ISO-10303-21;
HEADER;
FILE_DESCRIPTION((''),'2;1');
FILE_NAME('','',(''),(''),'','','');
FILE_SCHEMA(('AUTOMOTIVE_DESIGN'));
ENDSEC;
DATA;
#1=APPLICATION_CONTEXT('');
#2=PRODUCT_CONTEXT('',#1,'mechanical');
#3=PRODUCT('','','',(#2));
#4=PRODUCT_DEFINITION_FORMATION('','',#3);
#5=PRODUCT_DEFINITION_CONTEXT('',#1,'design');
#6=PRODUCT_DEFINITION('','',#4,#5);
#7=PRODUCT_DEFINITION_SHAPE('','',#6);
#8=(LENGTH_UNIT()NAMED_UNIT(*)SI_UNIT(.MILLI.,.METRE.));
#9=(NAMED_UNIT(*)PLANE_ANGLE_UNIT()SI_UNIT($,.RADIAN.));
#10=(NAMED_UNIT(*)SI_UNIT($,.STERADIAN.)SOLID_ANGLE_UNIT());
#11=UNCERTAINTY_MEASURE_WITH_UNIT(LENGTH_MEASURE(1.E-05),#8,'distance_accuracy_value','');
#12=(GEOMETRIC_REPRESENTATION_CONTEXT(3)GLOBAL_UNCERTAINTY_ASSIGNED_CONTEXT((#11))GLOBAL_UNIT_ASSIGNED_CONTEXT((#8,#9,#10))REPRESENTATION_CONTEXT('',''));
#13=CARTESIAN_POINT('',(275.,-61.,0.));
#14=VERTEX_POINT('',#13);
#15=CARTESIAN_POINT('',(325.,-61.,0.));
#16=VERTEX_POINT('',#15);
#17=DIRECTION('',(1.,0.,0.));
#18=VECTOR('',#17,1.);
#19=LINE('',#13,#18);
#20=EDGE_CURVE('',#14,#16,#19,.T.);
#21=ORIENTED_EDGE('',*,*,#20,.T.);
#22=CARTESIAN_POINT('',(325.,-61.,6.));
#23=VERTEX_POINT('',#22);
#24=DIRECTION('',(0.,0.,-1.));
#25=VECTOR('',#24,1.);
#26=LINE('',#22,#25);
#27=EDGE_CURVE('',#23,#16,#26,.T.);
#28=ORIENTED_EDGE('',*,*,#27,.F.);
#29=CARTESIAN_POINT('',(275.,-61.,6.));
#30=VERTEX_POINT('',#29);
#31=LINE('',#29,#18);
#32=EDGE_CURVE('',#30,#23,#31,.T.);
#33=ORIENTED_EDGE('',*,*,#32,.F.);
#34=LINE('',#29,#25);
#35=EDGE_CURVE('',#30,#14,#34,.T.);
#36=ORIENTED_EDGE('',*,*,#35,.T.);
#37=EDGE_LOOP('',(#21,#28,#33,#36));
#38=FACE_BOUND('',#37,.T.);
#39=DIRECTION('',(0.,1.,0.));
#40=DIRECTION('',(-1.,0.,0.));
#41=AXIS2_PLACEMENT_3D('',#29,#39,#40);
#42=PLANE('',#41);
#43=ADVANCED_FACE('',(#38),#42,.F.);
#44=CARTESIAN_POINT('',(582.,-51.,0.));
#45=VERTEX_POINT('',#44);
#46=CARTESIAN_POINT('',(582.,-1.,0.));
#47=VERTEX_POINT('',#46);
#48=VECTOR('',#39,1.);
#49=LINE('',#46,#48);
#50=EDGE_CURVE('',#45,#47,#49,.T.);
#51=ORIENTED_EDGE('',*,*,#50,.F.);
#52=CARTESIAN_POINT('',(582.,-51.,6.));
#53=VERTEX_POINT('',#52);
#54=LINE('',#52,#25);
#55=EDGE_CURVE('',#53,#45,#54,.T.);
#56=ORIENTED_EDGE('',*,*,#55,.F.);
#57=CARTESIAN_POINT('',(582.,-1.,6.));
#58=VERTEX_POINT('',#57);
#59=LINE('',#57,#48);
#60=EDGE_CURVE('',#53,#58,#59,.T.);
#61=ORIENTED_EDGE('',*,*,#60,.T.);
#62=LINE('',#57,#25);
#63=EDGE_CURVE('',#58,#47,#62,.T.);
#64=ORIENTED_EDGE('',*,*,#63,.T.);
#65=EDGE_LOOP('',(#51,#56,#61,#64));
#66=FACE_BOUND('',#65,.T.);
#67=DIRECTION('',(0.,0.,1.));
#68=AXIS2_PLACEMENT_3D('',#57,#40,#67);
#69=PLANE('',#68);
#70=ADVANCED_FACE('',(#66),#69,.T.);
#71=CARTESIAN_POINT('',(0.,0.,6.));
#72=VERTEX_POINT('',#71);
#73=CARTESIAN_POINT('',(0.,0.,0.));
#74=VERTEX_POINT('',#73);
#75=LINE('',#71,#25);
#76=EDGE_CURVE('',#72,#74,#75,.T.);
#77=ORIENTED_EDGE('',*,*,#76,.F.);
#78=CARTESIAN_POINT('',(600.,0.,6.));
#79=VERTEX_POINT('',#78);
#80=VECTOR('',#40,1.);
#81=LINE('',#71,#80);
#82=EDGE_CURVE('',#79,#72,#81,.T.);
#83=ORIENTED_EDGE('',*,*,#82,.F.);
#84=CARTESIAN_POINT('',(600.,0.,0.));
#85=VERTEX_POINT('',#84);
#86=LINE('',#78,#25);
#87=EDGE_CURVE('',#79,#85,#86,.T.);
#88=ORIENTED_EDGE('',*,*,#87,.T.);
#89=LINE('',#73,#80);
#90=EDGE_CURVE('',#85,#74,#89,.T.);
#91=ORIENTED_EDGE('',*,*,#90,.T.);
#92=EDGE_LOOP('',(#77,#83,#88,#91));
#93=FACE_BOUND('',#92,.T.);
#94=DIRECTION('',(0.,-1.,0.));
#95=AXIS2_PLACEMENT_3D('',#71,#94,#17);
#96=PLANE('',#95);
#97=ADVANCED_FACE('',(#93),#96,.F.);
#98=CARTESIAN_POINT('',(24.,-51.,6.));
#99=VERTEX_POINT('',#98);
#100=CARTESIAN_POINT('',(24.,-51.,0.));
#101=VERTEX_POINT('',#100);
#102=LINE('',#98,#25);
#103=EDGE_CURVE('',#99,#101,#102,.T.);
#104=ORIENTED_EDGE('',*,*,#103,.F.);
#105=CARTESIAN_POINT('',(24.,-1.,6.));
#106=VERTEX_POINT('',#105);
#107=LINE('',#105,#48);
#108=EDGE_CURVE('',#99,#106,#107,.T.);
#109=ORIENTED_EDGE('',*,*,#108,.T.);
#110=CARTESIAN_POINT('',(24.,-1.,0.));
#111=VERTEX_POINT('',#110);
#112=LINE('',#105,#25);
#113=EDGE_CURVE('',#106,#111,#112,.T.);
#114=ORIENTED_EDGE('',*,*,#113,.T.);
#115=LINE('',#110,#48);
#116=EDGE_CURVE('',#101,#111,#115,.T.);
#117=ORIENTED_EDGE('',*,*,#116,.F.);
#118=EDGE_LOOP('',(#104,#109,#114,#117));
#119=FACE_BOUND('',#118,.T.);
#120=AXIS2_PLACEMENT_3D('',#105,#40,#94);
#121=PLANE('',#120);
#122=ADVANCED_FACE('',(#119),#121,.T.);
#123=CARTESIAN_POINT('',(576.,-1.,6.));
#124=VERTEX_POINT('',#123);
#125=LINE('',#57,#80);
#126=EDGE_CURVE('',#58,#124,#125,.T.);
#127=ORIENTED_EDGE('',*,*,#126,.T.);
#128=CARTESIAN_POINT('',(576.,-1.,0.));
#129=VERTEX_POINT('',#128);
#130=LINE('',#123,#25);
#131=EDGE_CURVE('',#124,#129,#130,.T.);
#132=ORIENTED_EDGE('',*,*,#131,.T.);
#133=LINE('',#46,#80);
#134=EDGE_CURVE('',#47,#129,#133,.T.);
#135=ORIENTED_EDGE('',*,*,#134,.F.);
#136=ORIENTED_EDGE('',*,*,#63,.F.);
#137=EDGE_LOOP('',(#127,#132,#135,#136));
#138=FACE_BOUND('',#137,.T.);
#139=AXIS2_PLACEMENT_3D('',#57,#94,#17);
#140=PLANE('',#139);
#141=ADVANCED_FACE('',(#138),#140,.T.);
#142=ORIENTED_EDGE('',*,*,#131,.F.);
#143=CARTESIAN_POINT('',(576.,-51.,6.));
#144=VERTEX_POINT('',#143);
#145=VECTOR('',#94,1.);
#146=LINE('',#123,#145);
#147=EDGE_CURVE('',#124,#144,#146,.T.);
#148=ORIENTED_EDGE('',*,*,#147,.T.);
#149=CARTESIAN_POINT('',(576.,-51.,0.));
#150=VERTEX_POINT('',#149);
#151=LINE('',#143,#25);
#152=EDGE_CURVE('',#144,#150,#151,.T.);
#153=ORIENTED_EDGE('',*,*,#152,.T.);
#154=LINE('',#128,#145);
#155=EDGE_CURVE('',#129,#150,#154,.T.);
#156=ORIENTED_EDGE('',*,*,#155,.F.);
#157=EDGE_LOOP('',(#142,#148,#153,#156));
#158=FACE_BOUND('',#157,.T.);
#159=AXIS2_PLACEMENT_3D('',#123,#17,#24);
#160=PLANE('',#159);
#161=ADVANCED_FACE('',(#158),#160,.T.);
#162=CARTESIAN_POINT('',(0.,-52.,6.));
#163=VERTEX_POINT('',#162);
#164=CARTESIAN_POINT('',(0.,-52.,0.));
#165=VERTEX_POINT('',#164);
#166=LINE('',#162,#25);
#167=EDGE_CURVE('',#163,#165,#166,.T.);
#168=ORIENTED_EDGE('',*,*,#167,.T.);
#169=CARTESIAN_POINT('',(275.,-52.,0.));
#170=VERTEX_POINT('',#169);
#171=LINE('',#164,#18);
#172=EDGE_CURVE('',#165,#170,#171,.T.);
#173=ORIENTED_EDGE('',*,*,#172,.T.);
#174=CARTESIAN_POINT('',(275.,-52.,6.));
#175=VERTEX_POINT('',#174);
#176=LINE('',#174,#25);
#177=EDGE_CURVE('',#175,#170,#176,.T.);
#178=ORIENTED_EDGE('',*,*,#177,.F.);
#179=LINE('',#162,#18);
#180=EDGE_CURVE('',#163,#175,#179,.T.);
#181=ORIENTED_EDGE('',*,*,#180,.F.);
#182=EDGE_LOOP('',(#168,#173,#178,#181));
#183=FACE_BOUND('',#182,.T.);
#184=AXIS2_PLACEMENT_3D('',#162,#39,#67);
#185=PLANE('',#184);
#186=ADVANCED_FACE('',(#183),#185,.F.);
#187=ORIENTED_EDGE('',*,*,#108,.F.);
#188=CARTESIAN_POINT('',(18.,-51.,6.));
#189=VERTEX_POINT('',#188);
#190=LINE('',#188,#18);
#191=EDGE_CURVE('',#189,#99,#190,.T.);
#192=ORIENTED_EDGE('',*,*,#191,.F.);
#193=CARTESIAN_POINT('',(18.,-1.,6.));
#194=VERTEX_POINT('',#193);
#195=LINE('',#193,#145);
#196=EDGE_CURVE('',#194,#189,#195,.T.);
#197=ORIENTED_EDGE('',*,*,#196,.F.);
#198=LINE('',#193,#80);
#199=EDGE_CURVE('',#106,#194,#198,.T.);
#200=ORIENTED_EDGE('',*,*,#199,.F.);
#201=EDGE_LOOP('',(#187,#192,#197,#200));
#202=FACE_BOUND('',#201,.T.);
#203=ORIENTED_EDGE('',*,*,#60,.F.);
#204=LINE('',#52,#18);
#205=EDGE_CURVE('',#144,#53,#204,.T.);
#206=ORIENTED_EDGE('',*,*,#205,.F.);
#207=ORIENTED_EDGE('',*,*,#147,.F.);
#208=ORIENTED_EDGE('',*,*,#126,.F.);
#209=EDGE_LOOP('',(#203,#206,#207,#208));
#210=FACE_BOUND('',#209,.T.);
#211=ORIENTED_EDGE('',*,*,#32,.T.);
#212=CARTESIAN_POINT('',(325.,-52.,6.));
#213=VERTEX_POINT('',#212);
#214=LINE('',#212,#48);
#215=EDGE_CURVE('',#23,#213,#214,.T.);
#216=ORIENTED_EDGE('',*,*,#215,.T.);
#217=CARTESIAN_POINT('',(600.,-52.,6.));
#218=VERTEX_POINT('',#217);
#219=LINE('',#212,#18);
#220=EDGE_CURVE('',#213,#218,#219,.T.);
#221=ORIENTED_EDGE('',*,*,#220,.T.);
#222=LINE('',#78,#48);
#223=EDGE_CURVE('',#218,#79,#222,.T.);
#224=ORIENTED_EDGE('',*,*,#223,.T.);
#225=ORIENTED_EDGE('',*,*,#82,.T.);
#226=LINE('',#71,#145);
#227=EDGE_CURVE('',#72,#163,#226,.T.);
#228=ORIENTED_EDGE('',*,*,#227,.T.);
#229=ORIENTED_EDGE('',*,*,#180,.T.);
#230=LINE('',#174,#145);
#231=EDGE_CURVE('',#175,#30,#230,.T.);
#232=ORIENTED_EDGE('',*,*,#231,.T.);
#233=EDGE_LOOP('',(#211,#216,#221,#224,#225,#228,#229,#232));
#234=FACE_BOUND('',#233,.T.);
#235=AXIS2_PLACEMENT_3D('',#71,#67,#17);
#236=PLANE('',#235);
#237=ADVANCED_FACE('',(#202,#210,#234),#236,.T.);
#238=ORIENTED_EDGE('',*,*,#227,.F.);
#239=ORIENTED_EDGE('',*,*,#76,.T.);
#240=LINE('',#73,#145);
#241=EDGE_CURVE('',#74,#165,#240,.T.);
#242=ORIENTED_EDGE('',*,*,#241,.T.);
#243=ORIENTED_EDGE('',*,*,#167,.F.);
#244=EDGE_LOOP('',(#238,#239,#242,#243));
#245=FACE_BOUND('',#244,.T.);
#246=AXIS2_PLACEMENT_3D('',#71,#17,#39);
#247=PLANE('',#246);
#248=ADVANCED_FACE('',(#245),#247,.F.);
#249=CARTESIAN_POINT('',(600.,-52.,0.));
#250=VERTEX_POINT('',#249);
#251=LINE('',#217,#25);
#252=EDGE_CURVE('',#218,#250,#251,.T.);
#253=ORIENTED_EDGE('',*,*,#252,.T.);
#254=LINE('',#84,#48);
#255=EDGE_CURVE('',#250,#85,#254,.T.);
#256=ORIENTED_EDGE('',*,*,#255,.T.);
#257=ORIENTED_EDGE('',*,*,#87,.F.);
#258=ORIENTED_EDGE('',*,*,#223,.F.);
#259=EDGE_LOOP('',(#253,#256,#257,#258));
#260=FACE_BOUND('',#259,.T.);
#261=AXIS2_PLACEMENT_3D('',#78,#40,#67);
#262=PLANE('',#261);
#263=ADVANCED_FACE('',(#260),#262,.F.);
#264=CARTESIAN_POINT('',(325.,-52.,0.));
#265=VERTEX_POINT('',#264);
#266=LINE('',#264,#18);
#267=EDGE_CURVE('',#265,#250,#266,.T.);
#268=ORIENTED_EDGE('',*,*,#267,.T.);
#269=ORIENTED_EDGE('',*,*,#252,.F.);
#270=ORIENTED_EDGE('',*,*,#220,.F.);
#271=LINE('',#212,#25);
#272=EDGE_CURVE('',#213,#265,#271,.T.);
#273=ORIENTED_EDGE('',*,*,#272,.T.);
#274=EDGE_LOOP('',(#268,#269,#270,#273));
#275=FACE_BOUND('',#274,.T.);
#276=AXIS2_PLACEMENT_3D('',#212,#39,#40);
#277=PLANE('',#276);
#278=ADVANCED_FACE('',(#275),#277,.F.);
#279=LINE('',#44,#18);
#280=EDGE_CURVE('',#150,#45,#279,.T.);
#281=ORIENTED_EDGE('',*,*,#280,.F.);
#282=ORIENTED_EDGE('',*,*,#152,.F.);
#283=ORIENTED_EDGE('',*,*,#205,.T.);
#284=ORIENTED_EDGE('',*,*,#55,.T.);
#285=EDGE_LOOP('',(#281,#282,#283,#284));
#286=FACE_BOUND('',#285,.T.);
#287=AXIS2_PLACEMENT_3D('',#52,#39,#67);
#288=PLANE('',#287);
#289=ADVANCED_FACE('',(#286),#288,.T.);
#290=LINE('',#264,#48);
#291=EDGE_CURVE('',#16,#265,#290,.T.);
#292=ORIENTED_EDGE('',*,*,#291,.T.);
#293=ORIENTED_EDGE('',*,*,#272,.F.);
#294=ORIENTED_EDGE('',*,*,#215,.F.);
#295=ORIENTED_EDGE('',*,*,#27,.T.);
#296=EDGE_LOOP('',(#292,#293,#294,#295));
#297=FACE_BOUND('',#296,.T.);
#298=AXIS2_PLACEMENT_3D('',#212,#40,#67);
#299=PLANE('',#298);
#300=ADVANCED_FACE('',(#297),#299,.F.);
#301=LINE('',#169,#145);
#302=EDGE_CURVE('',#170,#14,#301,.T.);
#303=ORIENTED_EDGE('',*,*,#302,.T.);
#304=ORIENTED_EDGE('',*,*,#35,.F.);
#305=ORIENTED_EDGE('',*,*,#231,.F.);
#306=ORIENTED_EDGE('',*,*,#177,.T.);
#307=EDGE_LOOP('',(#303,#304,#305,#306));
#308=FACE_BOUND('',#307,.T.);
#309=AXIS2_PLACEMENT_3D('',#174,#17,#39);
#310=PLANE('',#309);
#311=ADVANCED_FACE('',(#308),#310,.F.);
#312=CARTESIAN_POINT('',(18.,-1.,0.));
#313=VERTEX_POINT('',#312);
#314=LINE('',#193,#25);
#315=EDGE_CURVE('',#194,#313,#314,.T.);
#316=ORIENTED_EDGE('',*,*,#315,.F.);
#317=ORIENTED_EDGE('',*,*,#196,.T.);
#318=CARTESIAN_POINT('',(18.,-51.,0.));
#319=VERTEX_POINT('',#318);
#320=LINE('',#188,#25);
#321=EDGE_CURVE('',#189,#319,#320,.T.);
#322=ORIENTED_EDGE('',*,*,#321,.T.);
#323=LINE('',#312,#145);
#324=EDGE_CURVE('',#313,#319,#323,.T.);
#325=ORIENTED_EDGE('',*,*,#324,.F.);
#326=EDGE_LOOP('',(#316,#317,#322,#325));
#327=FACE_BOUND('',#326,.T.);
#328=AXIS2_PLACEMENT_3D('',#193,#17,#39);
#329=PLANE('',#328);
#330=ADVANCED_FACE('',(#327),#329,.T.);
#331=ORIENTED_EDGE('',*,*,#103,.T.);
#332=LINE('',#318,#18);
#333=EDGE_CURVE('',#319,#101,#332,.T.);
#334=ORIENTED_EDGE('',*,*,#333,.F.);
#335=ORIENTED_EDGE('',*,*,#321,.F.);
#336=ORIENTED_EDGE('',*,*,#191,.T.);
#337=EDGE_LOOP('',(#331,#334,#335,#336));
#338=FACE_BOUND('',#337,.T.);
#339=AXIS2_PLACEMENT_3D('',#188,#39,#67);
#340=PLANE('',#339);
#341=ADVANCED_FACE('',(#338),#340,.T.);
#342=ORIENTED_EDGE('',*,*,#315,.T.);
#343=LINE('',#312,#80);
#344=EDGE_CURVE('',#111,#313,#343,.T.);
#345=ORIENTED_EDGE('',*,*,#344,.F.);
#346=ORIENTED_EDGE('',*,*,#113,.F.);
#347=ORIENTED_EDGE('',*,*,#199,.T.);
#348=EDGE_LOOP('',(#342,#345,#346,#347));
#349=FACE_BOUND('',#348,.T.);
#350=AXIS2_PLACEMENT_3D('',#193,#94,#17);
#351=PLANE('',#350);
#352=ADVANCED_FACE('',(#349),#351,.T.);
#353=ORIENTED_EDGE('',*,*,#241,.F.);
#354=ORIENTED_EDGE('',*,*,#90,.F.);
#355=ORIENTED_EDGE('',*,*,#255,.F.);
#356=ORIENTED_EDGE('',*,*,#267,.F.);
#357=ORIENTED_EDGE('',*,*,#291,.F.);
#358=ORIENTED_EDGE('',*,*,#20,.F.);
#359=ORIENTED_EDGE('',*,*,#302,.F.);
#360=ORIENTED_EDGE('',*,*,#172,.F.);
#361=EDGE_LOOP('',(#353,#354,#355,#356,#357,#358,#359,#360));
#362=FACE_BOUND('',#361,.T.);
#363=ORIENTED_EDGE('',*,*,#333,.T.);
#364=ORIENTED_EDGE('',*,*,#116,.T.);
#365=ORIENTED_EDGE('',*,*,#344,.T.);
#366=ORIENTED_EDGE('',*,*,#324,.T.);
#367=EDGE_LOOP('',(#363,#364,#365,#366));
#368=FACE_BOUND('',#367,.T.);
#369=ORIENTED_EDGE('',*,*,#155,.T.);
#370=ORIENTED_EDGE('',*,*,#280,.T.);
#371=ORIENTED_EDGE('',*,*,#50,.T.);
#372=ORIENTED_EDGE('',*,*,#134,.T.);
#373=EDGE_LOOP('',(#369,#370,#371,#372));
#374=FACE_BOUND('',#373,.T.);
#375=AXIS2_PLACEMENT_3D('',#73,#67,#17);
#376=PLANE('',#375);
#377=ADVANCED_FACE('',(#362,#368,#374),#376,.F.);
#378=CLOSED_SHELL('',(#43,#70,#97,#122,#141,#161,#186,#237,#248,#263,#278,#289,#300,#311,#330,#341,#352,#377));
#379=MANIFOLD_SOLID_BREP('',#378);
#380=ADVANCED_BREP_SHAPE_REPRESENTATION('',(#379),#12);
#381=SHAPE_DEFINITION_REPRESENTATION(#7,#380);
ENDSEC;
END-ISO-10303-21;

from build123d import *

# Parameters (mm, degrees)
SKETCH1_W           = 6
SKETCH1_H           = 50
BOSS_EXTRUDE1_DEPTH = 6


with BuildPart() as part:
    # Sketch1 → Boss-Extrude1 (new body)
    with BuildSketch(Plane.XY):
        Polygon((0, 0), (600, 0), (600, -52), (325, -52), (325, -61), (275, -61), (275, -52), (0, -52), align=None)
        with Locations((579, -26)):
            Rectangle(SKETCH1_W, SKETCH1_H, mode=Mode.SUBTRACT)
        with Locations((21, -26)):
            Rectangle(SKETCH1_W, SKETCH1_H, mode=Mode.SUBTRACT)
    extrude(amount=BOSS_EXTRUDE1_DEPTH)


solid = part.part
